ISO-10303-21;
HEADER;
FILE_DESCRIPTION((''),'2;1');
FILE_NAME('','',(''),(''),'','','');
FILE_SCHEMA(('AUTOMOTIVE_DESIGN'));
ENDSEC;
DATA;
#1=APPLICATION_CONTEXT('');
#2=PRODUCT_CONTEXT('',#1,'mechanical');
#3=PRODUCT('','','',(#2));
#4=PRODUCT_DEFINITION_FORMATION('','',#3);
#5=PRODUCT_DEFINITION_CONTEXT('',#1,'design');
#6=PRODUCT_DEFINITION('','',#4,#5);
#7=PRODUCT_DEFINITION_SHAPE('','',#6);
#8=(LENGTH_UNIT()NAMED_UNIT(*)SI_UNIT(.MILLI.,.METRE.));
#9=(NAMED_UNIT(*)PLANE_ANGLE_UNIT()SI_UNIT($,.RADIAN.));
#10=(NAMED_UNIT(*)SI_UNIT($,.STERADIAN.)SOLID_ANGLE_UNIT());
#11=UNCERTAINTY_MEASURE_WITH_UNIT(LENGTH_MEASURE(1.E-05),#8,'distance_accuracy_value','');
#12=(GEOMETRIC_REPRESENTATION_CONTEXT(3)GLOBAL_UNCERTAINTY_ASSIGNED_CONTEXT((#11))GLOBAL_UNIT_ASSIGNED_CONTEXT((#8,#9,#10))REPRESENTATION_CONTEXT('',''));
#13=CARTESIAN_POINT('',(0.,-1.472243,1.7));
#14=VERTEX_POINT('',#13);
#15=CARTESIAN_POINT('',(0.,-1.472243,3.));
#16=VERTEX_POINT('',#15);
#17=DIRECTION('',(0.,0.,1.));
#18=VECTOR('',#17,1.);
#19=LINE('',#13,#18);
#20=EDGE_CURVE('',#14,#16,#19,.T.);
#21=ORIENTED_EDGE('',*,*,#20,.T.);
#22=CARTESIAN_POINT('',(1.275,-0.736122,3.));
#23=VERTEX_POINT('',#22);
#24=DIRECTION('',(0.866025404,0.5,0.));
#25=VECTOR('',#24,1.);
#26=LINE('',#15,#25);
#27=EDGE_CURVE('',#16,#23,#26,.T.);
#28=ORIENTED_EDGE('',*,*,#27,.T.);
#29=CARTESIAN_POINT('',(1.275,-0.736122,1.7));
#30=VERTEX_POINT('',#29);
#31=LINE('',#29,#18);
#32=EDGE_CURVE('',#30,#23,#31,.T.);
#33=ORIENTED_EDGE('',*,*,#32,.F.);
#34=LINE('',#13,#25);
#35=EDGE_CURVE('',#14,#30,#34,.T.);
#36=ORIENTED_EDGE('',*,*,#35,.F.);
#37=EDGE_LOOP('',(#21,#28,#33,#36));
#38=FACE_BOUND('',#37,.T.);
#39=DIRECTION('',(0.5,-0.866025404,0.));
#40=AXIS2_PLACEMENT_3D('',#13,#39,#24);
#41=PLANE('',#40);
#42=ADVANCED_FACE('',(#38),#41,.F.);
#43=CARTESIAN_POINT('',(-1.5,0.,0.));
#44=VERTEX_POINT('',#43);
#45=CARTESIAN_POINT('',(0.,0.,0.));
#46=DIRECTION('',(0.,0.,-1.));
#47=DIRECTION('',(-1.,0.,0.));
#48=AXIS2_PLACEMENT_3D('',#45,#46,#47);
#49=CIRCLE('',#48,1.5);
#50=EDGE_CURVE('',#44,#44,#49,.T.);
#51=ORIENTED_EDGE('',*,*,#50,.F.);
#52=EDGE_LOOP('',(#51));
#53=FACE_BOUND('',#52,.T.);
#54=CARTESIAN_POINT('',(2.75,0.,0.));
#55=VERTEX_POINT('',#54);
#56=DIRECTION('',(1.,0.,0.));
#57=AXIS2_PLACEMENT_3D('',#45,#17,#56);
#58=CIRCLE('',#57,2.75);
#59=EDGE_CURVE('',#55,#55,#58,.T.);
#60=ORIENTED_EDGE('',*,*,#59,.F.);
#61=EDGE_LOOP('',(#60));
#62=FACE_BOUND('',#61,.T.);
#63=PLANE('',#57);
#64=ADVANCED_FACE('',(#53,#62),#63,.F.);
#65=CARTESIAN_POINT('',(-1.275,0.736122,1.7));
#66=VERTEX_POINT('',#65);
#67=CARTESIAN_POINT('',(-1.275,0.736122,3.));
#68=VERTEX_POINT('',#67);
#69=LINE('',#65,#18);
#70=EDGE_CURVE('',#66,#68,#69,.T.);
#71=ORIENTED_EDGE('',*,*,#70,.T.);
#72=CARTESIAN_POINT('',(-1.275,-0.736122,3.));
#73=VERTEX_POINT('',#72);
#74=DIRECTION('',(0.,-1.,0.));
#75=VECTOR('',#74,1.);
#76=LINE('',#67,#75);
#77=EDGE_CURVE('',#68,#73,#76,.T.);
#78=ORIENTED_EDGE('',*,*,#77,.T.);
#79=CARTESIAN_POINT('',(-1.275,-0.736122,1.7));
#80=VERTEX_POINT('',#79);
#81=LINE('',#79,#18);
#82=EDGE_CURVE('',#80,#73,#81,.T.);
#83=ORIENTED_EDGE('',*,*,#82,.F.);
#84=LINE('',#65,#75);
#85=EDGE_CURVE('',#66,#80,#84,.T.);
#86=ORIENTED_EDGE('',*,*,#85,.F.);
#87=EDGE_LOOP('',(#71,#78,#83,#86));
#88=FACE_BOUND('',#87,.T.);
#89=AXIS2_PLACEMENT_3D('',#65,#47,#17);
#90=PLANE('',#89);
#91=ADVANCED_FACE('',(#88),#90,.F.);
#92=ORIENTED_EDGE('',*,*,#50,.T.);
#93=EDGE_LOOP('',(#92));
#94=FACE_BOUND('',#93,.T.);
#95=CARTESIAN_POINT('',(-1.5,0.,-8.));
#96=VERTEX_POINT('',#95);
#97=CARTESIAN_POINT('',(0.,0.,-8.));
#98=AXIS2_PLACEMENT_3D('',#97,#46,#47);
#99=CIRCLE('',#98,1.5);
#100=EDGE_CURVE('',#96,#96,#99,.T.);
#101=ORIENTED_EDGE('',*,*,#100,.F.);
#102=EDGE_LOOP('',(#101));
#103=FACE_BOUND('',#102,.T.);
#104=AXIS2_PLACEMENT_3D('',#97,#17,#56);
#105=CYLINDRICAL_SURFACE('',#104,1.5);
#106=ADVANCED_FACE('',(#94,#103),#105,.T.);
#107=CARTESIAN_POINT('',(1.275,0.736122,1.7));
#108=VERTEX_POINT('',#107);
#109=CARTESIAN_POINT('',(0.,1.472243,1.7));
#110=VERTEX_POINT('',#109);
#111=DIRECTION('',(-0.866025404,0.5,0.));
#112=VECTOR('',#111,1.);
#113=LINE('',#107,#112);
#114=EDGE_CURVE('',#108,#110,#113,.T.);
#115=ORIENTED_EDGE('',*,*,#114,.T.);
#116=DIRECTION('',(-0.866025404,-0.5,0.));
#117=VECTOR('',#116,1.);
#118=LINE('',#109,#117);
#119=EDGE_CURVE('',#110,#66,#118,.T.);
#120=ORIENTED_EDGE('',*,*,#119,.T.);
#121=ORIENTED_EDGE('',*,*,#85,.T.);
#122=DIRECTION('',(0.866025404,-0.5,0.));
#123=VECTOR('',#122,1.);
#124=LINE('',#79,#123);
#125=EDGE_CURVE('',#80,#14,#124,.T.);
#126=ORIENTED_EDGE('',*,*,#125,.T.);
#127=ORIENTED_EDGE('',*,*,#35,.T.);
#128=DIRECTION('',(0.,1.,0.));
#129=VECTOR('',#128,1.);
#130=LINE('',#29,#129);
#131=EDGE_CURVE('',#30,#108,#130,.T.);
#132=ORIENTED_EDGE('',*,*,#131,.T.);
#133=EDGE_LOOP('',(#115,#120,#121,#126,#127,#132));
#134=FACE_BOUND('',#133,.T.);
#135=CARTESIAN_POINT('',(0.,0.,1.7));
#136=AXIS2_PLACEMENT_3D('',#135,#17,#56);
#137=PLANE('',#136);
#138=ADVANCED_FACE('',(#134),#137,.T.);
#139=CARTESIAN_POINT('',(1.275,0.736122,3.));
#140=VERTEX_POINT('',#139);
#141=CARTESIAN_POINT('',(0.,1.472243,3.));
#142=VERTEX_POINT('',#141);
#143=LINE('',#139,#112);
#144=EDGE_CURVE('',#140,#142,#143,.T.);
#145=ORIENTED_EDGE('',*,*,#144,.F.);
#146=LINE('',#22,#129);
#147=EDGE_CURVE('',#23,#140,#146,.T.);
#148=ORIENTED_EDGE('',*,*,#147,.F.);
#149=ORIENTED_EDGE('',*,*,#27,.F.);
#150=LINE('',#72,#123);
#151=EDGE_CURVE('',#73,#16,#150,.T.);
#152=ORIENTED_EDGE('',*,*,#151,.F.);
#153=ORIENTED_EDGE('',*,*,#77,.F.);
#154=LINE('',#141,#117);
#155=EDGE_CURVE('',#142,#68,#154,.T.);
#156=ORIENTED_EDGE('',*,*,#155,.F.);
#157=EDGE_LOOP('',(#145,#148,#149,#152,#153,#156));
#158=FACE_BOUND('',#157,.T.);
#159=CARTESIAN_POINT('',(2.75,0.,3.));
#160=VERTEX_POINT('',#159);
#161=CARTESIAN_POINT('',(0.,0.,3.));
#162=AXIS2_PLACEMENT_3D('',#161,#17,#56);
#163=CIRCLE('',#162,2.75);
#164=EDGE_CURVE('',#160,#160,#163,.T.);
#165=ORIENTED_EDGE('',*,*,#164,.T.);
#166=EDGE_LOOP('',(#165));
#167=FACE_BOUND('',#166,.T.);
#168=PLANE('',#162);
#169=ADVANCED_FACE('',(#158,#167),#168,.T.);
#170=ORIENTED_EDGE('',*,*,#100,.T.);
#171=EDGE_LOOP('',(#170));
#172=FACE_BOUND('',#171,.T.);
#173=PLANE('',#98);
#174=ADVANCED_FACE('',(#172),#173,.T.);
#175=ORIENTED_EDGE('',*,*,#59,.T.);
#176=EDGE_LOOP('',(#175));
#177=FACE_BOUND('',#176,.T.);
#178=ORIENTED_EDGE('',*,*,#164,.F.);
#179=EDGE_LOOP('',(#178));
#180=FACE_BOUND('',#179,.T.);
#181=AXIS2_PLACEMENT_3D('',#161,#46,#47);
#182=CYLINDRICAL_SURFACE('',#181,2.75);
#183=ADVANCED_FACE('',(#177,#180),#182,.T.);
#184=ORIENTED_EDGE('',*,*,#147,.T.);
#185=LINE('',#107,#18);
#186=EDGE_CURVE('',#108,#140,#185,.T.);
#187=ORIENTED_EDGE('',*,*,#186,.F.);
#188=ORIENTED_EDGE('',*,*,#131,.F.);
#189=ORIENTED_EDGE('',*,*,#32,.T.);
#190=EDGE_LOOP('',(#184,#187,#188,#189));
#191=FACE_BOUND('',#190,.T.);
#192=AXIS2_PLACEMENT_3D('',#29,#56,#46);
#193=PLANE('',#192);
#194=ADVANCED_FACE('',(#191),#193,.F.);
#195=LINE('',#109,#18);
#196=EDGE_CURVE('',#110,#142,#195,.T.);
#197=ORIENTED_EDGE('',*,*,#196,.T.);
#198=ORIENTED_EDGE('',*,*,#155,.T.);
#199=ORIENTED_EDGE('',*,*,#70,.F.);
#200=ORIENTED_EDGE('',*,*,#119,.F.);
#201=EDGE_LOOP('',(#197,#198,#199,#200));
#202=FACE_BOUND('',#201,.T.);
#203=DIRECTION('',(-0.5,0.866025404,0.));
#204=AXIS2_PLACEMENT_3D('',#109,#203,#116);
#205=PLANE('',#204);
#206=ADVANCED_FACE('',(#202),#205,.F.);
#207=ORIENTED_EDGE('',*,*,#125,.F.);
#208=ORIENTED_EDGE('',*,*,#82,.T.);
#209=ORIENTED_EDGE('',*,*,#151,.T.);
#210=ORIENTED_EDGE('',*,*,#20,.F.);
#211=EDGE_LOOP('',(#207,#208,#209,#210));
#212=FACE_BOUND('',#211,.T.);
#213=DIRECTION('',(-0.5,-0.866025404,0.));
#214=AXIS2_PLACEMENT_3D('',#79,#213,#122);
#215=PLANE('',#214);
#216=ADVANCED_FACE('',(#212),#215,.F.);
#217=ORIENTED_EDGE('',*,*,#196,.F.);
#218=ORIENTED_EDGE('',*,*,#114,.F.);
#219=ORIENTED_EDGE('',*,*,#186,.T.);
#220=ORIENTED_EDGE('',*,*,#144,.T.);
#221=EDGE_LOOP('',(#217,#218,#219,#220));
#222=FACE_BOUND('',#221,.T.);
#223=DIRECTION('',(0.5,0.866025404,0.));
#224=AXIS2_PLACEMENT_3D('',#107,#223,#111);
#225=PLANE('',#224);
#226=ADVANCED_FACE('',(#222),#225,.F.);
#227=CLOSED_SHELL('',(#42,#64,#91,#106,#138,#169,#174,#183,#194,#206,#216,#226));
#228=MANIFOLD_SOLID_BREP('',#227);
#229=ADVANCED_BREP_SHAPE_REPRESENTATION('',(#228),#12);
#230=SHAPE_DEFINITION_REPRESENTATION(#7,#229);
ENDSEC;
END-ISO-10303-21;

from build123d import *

# Parameters (mm, degrees)
SKETCH_1_R          = 2.75
EXTRUDE_1_DEPTH     = 3
CUT_EXTRUDE_1_DEPTH = 1.3
SKETCH_3_R          = 1.5
EXTRUDE_2_DEPTH     = 8


with BuildPart() as part:
    # 草图1 → 凸台-拉伸1 (new body)
    with BuildSketch(Plane.XY):
        Circle(SKETCH_1_R)
    extrude(amount=EXTRUDE_1_DEPTH)

    # 草图2 → 切除-拉伸1 (cut)
    with BuildSketch(Plane.XY.offset(3)):
        Polygon((1.275, -0.736121593), (1.275, 0.736121593), (0, 1.472243186), (-1.275, 0.736121593), (-1.275, -0.736121593), (0, -1.472243186), align=None)
    extrude(amount=-CUT_EXTRUDE_1_DEPTH, mode=Mode.SUBTRACT)

    # 草图3 → 凸台-拉伸2 (add)
    with BuildSketch(Plane(origin=(0, 0, 0), x_dir=(-1, 0, 0), z_dir=(0, 0, -1))):
        Circle(SKETCH_3_R)
    extrude(amount=EXTRUDE_2_DEPTH)


solid = part.part
